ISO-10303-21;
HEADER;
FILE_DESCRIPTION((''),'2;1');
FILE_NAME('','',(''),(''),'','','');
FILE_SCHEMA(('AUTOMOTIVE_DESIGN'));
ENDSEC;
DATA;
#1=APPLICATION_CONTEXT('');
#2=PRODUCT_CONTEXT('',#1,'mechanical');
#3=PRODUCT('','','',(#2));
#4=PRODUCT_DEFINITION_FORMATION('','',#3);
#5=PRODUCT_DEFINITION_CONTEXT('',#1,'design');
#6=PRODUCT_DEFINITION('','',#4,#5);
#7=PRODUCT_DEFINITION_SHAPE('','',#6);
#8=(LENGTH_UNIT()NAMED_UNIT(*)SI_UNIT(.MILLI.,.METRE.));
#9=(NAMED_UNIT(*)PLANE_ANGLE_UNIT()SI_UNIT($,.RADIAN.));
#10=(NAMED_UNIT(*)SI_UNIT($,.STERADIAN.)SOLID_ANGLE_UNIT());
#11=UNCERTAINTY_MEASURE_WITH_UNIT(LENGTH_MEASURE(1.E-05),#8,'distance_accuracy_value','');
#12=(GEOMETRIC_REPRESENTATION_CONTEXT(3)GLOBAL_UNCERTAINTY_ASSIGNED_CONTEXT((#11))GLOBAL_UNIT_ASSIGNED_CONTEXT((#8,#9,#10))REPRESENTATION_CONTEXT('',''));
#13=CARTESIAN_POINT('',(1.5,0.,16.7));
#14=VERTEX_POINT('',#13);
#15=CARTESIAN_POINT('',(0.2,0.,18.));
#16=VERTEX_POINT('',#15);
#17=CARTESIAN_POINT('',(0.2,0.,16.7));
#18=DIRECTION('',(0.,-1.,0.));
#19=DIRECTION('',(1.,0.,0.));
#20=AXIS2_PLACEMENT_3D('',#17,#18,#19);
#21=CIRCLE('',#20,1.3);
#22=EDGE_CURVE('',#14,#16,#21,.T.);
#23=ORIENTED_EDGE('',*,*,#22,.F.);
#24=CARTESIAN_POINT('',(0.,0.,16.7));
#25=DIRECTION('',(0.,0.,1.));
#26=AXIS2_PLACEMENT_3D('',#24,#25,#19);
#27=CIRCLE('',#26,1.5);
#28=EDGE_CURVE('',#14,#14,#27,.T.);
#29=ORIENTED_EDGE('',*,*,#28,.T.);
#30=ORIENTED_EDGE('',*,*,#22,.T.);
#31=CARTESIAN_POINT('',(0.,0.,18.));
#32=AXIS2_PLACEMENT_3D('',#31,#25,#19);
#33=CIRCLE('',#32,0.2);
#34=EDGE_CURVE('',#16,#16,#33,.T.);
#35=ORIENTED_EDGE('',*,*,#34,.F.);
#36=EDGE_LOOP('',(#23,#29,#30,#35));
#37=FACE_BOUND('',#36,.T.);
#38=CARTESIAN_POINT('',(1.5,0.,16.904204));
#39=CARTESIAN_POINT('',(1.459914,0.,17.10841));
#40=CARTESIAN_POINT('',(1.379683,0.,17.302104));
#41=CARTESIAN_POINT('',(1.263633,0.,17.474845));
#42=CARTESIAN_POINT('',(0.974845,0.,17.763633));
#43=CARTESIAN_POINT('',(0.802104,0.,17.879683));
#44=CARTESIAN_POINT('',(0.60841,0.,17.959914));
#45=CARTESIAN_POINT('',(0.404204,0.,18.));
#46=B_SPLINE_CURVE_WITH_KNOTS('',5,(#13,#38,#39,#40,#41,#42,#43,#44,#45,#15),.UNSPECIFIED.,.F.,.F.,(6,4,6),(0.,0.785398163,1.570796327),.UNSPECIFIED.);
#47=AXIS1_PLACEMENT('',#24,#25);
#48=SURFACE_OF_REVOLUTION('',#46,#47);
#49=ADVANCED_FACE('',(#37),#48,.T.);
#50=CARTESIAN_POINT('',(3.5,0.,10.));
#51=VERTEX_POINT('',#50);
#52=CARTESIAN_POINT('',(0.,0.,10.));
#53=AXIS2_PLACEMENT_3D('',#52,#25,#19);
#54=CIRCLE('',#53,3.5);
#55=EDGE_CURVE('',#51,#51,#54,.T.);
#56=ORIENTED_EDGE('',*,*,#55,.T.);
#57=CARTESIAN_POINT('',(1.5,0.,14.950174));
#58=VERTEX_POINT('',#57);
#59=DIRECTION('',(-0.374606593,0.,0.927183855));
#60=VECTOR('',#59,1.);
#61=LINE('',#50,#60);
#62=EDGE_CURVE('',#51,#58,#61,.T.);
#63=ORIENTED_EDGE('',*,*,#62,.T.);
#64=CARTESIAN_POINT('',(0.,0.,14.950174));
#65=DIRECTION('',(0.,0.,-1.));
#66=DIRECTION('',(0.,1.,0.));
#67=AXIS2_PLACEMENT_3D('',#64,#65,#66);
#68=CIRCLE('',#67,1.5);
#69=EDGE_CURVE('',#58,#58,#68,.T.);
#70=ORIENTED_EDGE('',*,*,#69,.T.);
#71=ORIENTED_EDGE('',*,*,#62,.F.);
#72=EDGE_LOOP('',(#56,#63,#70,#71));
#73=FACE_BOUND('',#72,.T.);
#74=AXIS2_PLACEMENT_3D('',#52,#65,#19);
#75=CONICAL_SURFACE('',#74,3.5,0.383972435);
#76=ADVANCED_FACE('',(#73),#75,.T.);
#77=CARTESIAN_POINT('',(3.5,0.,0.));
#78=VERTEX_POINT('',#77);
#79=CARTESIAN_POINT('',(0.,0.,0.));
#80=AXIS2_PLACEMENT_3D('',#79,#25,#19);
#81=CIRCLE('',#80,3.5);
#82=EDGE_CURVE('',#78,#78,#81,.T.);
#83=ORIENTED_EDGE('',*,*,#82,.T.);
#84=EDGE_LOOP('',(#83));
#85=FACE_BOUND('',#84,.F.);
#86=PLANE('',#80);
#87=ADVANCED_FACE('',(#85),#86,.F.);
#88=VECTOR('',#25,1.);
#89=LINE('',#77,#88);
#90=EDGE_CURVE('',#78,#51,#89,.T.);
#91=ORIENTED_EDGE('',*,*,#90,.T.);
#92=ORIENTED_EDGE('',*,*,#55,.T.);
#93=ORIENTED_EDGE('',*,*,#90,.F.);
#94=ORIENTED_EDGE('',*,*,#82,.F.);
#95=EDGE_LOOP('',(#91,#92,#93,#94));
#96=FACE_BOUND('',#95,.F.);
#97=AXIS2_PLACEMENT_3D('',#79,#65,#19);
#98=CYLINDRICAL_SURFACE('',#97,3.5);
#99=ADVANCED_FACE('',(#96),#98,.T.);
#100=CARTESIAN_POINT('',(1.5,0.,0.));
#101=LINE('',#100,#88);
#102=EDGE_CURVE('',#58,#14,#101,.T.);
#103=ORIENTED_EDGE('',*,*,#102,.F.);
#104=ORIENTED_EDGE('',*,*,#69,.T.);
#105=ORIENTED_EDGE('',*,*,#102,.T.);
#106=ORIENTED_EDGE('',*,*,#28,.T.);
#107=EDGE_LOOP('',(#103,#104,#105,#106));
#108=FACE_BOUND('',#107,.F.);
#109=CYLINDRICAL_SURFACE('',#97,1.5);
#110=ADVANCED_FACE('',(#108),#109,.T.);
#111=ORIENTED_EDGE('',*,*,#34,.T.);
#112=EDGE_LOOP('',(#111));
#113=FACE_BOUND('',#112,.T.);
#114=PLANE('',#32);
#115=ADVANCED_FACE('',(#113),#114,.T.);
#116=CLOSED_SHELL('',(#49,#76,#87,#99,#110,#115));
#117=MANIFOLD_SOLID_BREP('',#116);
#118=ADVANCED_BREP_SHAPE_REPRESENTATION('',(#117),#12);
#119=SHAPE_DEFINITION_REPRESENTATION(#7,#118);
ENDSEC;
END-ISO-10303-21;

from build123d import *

# Parameters (mm, degrees)
F0_R      = 3.5
F0_R_2    = 1.5
F1_DEPTH  = 10
F1_FACE_R = 3.5
F2_DEPTH  = 5
F2_TAPER  = 22
F3_DEPTH  = 18
F4_R      = 1.3


with BuildPart() as f1:
    # F0 (on Top) → F1 (new body)
    with BuildSketch(Plane.XY):
        Circle(F0_R)
        Circle(F0_R_2, mode=Mode.SUBTRACT)
        Circle(F0_R_2)
    extrude(amount=F1_DEPTH)

    # F1_face (on face) → F2 (join)
    with BuildSketch(Plane.XY.offset(10)):
        Circle(F1_FACE_R)
    extrude(amount=F2_DEPTH, taper=F2_TAPER)

    # F0 (on Top) → F3 (join)
    with BuildSketch(Plane.XY):
        Circle(F0_R_2)
    extrude(amount=F3_DEPTH)

    # F4
    f4_edges = [f1.edges().sort_by_distance(p)[0] for p in [
        (-1.5, 0, 18),
    ]]
    fillet(f4_edges, radius=F4_R)


solid = f1.part
